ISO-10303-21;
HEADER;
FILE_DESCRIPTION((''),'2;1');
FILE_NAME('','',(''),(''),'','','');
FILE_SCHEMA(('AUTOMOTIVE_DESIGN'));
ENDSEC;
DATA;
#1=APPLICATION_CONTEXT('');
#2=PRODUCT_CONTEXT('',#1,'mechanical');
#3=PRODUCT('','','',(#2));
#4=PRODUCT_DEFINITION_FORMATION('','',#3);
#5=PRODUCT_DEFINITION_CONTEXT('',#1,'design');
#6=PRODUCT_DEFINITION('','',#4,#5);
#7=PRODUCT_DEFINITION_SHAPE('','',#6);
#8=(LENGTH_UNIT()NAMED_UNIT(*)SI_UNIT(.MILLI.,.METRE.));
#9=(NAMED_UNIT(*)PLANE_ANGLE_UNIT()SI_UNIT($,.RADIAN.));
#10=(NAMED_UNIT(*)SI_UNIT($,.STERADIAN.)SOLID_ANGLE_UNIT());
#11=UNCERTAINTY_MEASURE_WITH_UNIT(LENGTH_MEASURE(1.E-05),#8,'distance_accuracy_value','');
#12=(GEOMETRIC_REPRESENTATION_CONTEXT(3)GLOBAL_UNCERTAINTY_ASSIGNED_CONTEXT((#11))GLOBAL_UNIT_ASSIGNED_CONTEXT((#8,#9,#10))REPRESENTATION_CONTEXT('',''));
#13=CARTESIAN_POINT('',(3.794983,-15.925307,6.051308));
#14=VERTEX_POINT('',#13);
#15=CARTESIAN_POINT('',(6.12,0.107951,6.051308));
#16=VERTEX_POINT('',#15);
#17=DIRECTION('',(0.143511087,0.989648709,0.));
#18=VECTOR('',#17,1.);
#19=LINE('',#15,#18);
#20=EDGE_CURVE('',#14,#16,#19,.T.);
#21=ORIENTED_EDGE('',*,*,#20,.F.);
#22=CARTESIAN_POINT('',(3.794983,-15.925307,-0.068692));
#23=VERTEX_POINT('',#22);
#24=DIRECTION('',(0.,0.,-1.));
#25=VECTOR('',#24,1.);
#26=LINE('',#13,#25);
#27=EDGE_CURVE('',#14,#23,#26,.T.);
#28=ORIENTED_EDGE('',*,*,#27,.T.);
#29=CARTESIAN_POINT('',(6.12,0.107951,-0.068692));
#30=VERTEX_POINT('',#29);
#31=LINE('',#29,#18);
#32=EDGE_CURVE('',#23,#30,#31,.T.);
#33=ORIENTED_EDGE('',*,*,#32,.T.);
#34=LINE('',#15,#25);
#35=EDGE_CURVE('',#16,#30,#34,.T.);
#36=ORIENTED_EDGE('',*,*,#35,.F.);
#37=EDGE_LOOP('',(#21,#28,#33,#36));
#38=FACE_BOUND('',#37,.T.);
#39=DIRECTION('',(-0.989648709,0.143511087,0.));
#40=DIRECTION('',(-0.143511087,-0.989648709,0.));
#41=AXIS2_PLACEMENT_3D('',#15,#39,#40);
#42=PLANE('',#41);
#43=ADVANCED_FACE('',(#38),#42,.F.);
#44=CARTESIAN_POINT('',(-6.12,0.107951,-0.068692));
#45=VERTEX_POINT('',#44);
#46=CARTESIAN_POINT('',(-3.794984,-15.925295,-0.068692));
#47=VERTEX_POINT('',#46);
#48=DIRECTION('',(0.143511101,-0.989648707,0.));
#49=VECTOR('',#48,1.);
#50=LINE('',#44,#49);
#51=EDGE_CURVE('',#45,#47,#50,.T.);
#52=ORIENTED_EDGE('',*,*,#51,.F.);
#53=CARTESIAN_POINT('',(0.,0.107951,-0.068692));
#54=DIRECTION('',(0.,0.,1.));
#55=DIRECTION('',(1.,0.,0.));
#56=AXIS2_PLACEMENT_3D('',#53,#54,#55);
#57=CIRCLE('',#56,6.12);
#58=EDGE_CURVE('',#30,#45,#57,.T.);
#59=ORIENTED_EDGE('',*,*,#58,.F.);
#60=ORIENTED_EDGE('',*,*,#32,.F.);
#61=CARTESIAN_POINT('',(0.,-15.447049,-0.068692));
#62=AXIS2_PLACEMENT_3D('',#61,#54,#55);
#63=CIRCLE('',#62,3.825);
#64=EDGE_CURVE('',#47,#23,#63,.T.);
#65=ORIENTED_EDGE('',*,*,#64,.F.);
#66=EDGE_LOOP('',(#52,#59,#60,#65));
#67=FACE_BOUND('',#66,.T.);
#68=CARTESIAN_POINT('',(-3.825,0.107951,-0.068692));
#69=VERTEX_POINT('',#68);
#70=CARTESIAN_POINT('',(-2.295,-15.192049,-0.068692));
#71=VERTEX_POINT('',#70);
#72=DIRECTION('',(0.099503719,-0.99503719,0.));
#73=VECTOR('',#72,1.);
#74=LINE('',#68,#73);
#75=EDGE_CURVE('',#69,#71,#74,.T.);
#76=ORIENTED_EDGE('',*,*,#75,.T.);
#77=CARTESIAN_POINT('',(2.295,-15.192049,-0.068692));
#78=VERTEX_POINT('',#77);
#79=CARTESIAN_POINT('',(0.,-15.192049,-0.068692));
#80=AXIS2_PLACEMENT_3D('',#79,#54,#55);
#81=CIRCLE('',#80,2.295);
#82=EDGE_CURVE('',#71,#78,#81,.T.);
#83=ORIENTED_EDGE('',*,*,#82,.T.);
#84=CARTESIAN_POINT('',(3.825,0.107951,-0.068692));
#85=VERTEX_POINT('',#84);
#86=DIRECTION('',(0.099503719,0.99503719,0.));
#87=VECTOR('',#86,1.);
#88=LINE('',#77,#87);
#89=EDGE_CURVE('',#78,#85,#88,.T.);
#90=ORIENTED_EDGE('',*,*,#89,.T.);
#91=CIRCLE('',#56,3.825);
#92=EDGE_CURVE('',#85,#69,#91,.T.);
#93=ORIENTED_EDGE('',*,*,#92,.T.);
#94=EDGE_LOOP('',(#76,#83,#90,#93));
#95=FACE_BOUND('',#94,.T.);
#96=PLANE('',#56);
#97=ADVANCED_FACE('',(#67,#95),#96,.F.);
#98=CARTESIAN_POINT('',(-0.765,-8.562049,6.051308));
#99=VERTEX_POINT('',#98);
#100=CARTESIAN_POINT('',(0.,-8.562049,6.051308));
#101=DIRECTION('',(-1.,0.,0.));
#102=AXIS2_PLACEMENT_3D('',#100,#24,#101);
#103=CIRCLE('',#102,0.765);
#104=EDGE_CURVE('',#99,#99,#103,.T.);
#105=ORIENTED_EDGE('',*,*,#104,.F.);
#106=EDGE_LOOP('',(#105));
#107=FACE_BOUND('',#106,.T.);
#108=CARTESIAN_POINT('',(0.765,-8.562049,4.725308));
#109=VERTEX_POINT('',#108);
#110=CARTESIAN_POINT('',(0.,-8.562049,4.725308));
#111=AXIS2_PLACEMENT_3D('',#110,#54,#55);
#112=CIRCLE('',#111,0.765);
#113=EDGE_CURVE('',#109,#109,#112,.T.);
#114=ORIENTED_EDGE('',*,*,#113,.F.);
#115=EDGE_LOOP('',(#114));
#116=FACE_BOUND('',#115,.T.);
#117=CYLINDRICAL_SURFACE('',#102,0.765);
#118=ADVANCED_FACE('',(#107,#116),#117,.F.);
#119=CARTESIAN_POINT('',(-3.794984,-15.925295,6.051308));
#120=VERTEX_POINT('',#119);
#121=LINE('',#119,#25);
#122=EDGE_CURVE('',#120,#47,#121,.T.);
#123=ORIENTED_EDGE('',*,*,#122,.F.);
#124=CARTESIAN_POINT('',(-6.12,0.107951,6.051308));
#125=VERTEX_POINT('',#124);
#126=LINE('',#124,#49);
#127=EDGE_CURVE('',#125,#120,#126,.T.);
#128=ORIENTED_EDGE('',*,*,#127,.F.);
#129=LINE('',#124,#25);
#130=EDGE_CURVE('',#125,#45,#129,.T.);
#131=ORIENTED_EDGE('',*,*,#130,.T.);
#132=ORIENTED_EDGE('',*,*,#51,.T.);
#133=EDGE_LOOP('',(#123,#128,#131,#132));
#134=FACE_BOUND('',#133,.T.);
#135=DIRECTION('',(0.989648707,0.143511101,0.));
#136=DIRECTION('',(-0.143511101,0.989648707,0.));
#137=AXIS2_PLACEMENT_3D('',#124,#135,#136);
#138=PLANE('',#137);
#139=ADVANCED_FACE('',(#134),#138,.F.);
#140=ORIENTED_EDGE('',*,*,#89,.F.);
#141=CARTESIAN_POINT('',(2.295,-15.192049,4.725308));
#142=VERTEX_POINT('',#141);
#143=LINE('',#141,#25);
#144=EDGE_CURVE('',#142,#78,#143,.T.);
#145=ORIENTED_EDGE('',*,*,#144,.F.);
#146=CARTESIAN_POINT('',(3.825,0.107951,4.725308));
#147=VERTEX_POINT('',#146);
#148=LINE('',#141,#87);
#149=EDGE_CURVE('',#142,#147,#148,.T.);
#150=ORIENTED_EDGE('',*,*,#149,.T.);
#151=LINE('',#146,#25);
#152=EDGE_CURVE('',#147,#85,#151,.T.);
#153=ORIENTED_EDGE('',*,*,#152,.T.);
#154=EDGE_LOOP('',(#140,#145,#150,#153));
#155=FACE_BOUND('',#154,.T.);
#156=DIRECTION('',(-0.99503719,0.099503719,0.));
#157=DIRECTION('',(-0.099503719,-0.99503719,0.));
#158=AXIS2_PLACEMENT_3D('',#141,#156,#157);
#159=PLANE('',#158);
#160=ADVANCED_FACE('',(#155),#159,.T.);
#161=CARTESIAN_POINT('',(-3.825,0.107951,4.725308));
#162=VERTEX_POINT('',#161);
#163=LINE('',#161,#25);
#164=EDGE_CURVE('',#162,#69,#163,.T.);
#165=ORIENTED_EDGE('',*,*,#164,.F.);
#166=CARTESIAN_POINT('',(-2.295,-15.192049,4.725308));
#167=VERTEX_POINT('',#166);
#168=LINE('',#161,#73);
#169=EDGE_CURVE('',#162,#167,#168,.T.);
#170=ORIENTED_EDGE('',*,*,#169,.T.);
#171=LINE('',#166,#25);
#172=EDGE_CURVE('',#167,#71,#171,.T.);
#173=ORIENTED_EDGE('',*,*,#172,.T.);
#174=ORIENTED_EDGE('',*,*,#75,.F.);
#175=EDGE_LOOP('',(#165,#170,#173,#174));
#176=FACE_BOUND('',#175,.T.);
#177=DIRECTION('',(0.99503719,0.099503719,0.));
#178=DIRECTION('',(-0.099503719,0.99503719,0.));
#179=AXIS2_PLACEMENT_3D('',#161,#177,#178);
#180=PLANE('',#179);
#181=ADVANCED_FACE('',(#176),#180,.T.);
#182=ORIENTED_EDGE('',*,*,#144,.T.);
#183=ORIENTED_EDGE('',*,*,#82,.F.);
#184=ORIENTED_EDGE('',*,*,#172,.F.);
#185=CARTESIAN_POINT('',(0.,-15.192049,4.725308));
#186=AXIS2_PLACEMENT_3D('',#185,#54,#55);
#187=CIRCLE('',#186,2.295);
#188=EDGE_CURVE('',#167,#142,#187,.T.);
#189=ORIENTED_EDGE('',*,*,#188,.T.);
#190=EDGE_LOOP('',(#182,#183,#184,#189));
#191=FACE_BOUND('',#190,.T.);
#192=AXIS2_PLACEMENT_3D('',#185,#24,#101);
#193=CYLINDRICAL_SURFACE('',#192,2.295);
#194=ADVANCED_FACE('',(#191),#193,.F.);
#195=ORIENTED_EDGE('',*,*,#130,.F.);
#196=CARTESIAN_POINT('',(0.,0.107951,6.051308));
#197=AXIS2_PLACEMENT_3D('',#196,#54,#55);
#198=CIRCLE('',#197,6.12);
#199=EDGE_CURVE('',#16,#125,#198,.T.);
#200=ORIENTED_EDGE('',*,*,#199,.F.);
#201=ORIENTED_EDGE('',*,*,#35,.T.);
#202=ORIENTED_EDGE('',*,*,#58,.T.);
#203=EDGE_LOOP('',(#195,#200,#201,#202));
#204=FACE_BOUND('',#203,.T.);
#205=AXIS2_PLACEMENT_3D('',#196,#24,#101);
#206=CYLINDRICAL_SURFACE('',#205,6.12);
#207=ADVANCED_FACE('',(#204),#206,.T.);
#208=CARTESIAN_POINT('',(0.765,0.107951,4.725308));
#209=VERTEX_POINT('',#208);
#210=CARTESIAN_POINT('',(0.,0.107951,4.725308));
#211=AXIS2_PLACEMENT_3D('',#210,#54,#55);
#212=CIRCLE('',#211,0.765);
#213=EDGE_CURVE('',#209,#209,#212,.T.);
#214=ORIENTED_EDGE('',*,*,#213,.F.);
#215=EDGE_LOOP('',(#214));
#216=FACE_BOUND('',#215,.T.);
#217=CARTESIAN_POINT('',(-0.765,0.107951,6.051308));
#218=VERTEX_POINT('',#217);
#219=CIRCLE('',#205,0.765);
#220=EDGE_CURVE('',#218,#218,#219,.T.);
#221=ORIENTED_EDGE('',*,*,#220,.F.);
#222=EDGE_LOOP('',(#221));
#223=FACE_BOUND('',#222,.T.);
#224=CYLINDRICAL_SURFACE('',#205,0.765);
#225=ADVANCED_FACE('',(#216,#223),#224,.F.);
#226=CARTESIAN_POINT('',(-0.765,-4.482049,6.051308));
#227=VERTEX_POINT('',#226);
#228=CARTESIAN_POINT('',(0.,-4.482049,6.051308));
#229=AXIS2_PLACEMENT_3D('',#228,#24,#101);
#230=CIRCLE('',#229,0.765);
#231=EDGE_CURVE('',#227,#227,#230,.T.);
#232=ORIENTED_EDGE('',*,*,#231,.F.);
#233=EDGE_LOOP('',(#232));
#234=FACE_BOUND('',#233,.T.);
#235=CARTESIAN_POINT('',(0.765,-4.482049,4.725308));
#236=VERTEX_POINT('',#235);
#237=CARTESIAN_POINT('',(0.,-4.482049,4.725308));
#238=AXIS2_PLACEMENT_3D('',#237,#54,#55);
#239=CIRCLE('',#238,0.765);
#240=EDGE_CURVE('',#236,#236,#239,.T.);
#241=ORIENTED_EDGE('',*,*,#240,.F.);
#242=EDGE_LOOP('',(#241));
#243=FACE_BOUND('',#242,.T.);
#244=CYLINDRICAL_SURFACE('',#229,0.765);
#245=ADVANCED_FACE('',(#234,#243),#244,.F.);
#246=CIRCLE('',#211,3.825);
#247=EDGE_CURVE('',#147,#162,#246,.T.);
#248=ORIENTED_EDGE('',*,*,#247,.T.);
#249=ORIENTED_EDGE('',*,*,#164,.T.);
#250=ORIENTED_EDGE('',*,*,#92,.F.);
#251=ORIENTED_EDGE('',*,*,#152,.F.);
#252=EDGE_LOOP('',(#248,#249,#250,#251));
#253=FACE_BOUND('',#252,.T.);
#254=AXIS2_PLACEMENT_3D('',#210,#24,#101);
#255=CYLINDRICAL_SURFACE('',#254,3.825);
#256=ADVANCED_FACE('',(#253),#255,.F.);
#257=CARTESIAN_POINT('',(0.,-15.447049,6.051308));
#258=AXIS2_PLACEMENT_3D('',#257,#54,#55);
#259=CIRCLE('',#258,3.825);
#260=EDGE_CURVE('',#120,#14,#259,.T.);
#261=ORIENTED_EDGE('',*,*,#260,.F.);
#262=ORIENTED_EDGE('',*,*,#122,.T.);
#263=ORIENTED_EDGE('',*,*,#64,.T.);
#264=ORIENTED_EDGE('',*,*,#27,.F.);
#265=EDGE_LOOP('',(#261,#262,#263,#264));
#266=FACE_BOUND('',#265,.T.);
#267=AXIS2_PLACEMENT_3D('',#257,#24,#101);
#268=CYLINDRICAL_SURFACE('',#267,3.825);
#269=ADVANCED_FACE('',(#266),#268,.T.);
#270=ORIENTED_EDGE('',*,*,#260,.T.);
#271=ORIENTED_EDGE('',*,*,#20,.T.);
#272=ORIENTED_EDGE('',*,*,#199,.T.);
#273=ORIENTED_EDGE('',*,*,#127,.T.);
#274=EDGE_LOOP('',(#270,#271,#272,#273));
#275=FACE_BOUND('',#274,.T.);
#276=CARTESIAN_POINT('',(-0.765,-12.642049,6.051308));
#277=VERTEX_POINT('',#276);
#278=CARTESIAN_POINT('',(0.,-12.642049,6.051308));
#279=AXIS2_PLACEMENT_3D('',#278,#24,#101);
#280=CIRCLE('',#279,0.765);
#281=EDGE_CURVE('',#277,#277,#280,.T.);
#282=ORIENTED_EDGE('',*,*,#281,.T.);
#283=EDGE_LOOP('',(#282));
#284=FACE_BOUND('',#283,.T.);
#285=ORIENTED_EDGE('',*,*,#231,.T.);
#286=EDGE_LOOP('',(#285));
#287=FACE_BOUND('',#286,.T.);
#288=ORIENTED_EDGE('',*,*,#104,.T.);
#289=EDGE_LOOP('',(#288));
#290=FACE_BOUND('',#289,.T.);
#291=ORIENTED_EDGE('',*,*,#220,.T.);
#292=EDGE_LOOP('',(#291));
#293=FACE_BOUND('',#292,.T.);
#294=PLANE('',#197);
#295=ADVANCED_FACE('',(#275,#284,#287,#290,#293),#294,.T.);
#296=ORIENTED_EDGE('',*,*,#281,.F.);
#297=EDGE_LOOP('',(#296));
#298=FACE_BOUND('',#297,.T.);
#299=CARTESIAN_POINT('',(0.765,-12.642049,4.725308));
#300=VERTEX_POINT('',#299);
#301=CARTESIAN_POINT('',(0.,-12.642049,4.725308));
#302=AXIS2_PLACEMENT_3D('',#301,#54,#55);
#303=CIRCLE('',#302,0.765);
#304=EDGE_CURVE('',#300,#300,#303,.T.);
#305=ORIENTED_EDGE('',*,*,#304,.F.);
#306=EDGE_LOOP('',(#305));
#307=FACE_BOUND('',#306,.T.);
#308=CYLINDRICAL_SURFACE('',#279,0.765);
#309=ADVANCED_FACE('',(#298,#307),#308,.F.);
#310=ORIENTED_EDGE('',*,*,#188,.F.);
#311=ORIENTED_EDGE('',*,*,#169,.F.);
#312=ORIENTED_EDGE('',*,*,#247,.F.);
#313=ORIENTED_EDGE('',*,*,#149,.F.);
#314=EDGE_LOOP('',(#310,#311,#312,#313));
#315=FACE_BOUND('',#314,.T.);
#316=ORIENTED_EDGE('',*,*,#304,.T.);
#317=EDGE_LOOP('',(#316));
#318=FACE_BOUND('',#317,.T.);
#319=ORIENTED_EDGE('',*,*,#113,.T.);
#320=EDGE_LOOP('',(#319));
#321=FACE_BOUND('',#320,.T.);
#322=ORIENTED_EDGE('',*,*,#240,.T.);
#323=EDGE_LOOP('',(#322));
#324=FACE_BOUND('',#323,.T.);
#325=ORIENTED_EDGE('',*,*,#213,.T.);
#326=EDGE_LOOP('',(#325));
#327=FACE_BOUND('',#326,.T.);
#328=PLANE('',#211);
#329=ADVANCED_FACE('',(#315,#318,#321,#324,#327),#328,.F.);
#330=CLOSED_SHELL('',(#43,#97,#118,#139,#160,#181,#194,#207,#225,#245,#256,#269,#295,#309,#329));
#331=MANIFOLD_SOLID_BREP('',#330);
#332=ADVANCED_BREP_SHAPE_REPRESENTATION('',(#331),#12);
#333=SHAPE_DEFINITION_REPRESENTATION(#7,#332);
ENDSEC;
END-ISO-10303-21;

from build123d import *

# Parameters (mm, degrees)
BOSS_EXTRUDE1_DEPTH     = 6
CUT_EXTRUDE3_DEPTH      = 4.7
CUT_EXTRUDE4_DEPTH      = 21.471687766
CUT_EXTRUDE4_DEPTH_BACK = 21.471687766
SKETCH4_R               = 0.75
SKETCH6_R               = 0.75
CUT_EXTRUDE6_DEPTH      = 21.471687766
LPATTERN1_COUNT         = 3
LPATTERN1_PITCH         = 4
SCALE1_SCALE            = 1.02


with BuildPart() as part:
    # Sketch2 → Boss-Extrude1 (new body)
    with BuildSketch(Plane.XY):
        with BuildLine():
            Line((-6, 0), (-3.720572803, -15.718868867))
            ThreePointArc((-3.720572803, -15.718868867), (-5.969e-06, -19), (3.720571311, -15.71888071))
            Line((3.720571311, -15.71888071), (6, 0))
            ThreePointArc((6, 0), (0, 6), (-6, 0))
        make_face()
    extrude(amount=BOSS_EXTRUDE1_DEPTH)

    # Sketch3 → Cut-Extrude3 (cut)
    with BuildSketch(Plane.XY):
        with BuildLine():
            Line((-3.75, 0), (-2.25, -15))
            ThreePointArc((-2.25, -15), (0, -17.25), (2.25, -15))
            Line((2.25, -15), (3.75, 0))
            ThreePointArc((3.75, 0), (0, 3.75), (-3.75, 0))
        make_face()
    extrude(amount=CUT_EXTRUDE3_DEPTH, mode=Mode.SUBTRACT)

    # Sketch4 → Cut-Extrude4 (cut, two sides: drawn at the far end of the back side and taken through both)
    with BuildSketch(Plane(origin=(0, 0, 4.7), x_dir=(-1, 0, 0), z_dir=(0, 0, -1)).offset(-CUT_EXTRUDE4_DEPTH_BACK)):
        Circle(SKETCH4_R)
    extrude(amount=CUT_EXTRUDE4_DEPTH + CUT_EXTRUDE4_DEPTH_BACK, mode=Mode.SUBTRACT)

    # Sketch6 → Cut-Extrude6 (cut, symmetric)
    with BuildSketch(Plane(origin=(0, 0, 4.7), x_dir=(-1, 0, 0), z_dir=(0, 0, -1))):
        with Locations((0, -4.5)):
            Circle(SKETCH6_R)
    cut_extrude6 = extrude(amount=CUT_EXTRUDE6_DEPTH, both=True, mode=Mode.SUBTRACT)

    # LPattern1: Cut-Extrude6 ×3
    with Locations(*[(0, -i * LPATTERN1_PITCH, 0) for i in range(1, LPATTERN1_COUNT)]):
        add(cut_extrude6, mode=Mode.SUBTRACT)


with BuildPart() as part_1:
    # Scale1: scaled about (6e-08, -5.397561761, 3.434577722)
    add(part.part.scale(SCALE1_SCALE).moved(Location((-1e-09, 0.107951235, -0.068691554))))


solid = part_1.part
